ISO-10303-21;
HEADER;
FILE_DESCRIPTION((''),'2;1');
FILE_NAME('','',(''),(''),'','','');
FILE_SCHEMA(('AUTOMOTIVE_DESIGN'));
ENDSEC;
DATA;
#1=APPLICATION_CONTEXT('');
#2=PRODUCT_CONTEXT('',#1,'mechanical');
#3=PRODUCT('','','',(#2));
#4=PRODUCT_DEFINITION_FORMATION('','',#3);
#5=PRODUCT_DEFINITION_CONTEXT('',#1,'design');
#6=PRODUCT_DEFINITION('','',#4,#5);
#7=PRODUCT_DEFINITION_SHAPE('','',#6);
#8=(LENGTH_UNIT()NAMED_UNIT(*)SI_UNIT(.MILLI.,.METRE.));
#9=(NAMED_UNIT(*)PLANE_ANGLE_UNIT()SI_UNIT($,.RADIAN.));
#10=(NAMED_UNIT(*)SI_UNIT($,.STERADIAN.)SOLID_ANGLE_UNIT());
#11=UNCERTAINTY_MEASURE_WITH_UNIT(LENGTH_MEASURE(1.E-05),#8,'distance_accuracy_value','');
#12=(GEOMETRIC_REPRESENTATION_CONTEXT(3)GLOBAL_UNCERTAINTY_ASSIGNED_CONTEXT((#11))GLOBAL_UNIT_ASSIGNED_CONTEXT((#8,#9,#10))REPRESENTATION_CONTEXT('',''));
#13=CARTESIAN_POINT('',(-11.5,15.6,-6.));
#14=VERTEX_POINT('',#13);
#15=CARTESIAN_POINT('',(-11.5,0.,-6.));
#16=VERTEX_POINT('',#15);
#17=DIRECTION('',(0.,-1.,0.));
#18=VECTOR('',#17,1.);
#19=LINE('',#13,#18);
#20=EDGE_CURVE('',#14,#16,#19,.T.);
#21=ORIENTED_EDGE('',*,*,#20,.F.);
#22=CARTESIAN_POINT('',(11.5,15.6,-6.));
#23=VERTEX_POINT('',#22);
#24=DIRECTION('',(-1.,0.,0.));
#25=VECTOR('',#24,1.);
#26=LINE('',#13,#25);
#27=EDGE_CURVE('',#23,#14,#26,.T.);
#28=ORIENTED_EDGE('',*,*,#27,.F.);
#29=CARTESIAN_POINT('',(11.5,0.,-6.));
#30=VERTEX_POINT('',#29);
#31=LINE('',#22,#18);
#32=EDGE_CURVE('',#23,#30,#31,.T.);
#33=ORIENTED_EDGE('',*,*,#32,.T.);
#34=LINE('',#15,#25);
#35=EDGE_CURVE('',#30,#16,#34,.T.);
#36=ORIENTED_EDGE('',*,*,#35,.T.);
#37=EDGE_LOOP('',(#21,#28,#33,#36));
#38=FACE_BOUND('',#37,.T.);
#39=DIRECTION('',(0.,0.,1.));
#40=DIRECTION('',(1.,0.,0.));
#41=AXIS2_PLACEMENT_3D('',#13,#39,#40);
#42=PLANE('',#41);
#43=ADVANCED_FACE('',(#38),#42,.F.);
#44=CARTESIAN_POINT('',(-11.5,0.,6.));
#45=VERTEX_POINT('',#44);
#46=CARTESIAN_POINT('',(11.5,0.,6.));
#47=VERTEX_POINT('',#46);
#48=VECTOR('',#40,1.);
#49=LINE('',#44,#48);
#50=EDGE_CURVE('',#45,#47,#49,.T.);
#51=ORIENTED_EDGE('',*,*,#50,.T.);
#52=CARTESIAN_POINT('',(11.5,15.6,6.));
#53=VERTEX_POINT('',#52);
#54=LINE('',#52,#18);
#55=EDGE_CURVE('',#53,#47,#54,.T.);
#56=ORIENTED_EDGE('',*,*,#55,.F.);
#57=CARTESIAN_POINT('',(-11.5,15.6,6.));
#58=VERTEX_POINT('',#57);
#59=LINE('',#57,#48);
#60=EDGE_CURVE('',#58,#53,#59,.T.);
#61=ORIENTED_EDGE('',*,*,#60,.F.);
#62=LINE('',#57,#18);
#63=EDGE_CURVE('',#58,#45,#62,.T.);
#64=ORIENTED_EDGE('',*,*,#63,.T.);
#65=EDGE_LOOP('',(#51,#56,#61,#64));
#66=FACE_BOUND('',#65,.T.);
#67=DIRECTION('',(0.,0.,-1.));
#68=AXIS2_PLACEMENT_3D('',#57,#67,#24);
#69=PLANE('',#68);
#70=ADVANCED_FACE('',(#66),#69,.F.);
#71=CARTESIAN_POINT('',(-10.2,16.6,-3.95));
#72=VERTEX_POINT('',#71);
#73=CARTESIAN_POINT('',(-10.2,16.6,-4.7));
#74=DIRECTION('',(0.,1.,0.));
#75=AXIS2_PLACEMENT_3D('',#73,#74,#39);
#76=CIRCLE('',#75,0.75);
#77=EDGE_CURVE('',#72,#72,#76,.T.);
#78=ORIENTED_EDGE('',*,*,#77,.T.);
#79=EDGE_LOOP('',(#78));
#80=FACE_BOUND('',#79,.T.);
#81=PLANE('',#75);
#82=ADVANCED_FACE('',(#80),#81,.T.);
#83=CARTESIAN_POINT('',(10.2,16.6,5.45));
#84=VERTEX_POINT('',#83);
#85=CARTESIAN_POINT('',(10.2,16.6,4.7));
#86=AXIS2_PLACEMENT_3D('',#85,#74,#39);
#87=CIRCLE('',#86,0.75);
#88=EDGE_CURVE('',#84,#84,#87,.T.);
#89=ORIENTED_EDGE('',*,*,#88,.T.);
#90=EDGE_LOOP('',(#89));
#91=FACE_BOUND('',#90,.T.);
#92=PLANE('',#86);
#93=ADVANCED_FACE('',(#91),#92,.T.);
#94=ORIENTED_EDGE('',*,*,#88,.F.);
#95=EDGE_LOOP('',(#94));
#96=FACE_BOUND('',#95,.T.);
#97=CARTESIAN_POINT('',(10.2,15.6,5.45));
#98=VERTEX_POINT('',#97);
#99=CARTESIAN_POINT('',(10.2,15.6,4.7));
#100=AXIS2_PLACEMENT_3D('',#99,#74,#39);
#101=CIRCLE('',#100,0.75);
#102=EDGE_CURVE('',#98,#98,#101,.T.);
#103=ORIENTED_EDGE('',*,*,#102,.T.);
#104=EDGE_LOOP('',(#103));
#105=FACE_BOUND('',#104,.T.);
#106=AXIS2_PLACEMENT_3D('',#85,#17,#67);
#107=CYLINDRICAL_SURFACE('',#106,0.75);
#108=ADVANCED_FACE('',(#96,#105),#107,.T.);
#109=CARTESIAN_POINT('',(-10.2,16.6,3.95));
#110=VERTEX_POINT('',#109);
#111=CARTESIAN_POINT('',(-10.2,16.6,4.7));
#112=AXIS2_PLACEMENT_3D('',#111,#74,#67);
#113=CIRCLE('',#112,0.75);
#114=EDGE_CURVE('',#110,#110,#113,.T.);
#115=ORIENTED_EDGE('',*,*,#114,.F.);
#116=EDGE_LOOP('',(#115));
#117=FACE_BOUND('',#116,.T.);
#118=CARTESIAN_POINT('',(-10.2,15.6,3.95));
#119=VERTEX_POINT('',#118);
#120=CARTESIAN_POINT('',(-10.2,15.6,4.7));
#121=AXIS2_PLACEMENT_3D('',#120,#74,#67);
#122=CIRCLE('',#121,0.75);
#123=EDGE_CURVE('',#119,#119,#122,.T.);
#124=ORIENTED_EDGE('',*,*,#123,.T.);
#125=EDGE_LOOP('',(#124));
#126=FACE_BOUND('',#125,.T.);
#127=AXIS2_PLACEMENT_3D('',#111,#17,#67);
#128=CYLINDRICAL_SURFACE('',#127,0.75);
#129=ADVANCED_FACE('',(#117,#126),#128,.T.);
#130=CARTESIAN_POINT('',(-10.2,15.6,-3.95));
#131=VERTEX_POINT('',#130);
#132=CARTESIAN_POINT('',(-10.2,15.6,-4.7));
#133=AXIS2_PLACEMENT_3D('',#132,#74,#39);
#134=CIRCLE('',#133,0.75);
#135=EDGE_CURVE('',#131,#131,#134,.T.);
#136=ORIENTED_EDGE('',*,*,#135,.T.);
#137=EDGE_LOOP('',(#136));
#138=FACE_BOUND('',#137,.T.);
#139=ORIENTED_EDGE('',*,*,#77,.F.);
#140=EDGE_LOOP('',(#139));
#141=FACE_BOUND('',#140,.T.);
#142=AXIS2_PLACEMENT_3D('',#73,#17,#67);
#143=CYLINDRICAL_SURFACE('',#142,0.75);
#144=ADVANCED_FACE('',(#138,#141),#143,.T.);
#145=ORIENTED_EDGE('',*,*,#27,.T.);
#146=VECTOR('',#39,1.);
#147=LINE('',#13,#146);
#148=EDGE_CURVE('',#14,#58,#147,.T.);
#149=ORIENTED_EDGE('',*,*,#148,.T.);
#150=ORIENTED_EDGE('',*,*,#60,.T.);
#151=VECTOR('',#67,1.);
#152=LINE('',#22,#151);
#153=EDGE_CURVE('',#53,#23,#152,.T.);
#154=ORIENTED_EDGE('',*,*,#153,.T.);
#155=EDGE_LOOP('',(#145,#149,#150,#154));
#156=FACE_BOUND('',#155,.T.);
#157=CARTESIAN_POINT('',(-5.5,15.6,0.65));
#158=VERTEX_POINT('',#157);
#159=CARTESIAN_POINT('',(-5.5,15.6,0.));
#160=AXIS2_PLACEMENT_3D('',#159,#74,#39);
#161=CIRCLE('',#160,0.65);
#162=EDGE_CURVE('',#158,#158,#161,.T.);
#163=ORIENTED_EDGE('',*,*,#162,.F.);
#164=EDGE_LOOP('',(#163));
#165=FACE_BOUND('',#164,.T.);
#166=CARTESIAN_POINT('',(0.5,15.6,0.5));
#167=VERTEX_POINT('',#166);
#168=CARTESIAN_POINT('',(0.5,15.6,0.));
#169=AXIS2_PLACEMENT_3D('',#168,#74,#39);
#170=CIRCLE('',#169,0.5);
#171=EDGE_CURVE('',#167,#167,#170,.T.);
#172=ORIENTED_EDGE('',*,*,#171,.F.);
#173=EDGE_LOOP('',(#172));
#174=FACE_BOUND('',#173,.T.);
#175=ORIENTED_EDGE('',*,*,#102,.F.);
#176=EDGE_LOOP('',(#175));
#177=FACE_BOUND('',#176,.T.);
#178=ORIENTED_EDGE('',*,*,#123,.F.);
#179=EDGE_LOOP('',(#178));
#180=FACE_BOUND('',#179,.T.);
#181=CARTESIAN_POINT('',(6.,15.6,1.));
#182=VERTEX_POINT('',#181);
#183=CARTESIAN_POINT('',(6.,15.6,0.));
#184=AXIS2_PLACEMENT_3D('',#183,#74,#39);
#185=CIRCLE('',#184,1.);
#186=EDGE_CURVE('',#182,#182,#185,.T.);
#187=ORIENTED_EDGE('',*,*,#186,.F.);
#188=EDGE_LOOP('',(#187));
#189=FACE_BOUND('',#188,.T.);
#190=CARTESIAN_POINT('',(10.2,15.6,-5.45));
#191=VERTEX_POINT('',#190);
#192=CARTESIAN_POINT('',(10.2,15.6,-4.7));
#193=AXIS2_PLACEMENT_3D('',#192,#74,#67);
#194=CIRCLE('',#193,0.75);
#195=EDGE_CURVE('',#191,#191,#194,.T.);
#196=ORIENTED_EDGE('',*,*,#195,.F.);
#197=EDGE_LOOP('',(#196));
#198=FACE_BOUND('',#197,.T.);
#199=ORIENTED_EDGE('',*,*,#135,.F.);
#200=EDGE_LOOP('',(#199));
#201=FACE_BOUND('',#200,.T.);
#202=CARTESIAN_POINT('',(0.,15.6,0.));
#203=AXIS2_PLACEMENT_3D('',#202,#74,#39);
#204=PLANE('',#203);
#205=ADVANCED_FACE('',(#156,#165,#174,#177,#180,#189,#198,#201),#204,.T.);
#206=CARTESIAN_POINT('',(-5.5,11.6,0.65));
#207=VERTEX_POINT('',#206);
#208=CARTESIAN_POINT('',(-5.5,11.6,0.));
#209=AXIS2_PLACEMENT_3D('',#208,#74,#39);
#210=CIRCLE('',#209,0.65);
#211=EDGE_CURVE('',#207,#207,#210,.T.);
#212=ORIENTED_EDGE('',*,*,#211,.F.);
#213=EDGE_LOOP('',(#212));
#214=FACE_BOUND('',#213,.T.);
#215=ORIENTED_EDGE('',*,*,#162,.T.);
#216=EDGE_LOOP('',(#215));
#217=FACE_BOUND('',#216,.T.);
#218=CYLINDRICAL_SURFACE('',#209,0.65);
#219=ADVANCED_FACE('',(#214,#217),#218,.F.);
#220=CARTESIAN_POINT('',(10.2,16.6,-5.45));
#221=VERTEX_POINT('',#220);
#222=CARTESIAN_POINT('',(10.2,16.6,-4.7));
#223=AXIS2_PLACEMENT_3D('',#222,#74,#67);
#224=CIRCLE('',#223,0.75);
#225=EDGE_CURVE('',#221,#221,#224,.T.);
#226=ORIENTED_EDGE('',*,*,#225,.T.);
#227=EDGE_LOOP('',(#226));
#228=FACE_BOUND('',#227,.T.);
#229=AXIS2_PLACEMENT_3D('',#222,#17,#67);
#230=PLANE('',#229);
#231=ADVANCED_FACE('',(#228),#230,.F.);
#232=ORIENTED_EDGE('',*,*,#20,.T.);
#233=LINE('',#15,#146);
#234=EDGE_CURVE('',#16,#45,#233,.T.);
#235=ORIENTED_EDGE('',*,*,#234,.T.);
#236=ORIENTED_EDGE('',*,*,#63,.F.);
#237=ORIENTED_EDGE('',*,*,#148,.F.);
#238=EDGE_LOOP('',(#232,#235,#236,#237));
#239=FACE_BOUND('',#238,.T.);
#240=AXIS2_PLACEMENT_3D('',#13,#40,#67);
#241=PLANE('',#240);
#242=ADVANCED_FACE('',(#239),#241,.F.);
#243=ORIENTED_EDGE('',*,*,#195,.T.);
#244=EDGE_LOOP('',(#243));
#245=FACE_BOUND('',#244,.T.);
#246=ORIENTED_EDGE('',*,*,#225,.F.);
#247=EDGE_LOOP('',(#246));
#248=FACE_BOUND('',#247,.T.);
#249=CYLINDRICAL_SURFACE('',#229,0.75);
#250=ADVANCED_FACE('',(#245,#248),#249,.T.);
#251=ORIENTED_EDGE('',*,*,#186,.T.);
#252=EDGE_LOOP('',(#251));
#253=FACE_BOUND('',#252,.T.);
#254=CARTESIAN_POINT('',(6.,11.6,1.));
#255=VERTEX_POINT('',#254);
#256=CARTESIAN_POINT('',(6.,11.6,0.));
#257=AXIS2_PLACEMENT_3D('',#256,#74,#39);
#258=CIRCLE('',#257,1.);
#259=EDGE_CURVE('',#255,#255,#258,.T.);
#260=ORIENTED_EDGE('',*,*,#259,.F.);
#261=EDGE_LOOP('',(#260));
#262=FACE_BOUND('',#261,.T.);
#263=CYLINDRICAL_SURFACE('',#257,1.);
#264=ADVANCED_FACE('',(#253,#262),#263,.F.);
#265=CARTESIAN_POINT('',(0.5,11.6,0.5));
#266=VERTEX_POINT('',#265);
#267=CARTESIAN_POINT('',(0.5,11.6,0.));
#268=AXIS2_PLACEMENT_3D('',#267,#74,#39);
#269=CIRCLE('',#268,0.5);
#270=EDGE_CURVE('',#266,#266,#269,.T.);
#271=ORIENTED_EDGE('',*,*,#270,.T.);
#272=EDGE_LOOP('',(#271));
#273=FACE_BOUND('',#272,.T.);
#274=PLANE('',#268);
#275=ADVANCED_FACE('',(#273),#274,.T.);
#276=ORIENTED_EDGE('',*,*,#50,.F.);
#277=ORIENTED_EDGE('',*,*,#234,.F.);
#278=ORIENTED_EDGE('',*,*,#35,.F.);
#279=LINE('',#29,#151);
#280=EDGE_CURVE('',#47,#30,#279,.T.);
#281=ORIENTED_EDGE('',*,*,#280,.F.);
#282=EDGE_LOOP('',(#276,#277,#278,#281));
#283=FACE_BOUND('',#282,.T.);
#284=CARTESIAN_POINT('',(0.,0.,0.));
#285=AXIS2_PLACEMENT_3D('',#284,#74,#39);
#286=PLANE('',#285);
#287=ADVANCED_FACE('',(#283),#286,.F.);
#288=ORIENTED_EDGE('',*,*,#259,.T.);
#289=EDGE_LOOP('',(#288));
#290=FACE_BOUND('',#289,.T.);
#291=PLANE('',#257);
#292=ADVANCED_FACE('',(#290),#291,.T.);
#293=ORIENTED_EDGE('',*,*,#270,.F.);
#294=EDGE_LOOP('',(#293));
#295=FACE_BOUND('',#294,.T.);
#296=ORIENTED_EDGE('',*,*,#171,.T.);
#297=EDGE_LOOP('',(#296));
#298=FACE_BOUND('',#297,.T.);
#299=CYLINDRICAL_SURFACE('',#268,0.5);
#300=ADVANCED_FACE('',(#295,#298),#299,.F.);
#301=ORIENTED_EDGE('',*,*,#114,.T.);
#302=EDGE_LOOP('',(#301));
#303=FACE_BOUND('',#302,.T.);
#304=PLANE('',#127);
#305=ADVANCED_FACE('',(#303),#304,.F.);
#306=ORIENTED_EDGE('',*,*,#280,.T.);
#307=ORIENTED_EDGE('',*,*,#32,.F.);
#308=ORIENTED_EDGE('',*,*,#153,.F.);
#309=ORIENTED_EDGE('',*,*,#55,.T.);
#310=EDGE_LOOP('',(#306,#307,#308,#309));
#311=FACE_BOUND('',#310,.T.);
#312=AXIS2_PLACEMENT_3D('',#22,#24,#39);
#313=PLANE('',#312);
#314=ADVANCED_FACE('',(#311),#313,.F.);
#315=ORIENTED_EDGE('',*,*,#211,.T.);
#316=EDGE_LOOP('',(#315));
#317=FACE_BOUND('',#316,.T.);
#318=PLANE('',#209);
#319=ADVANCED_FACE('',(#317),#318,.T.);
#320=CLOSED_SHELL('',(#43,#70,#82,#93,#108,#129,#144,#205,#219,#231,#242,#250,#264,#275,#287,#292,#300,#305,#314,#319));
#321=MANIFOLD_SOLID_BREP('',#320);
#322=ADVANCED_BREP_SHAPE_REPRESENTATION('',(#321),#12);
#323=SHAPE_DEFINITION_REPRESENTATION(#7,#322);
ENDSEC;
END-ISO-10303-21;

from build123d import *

# Parameters (mm, degrees)
SKETCH1_W           = 23
SKETCH1_H           = 12
BOSS_EXTRUDE1_DEPTH = 15.6
SKETCH2_R           = 0.75
BOSS_EXTRUDE2_DEPTH = 1
SKETCH3_R           = 1
SKETCH3_R_2         = 0.5
SKETCH3_R_3         = 0.65
CUT_EXTRUDE1_DEPTH  = 4


with BuildPart() as part:
    # Sketch1 → Boss-Extrude1 (new body)
    with BuildSketch(Plane(origin=(0, 0, 0), x_dir=(1, 0, 0), z_dir=(0, 1, 0))):
        Rectangle(SKETCH1_W, SKETCH1_H)
    extrude(amount=BOSS_EXTRUDE1_DEPTH)

    # Sketch2 → Boss-Extrude2 (add)
    with BuildSketch(Plane(origin=(0, 15.6, 0), x_dir=(1, 0, 0), z_dir=(0, 1, 0))):
        with Locations(Location((-10.2, 4.7, 0), (0, 0, 270))):
            Circle(SKETCH2_R)
        with Locations(Location((10.2, 4.7, 0), (0, 0, 90))):
            Circle(SKETCH2_R)
        with Locations(Location((10.2, -4.7, 0), (0, 0, 270))):
            Circle(SKETCH2_R)
        with Locations(Location((-10.2, -4.7, 0), (0, 0, 90))):
            Circle(SKETCH2_R)
    extrude(amount=BOSS_EXTRUDE2_DEPTH)

    # Sketch3 → Cut-Extrude1 (cut)
    with BuildSketch(Plane(origin=(0, 15.6, 0), x_dir=(1, 0, 0), z_dir=(0, 1, 0))):
        with Locations(Location((6, 0, 0), (0, 0, 270))):
            Circle(SKETCH3_R)
        with Locations(Location((0.5, 0, 0), (0, 0, 270))):
            Circle(SKETCH3_R_2)
        with Locations(Location((-5.5, 0, 0), (0, 0, 270))):
            Circle(SKETCH3_R_3)
    extrude(amount=-CUT_EXTRUDE1_DEPTH, mode=Mode.SUBTRACT)


solid = part.part
